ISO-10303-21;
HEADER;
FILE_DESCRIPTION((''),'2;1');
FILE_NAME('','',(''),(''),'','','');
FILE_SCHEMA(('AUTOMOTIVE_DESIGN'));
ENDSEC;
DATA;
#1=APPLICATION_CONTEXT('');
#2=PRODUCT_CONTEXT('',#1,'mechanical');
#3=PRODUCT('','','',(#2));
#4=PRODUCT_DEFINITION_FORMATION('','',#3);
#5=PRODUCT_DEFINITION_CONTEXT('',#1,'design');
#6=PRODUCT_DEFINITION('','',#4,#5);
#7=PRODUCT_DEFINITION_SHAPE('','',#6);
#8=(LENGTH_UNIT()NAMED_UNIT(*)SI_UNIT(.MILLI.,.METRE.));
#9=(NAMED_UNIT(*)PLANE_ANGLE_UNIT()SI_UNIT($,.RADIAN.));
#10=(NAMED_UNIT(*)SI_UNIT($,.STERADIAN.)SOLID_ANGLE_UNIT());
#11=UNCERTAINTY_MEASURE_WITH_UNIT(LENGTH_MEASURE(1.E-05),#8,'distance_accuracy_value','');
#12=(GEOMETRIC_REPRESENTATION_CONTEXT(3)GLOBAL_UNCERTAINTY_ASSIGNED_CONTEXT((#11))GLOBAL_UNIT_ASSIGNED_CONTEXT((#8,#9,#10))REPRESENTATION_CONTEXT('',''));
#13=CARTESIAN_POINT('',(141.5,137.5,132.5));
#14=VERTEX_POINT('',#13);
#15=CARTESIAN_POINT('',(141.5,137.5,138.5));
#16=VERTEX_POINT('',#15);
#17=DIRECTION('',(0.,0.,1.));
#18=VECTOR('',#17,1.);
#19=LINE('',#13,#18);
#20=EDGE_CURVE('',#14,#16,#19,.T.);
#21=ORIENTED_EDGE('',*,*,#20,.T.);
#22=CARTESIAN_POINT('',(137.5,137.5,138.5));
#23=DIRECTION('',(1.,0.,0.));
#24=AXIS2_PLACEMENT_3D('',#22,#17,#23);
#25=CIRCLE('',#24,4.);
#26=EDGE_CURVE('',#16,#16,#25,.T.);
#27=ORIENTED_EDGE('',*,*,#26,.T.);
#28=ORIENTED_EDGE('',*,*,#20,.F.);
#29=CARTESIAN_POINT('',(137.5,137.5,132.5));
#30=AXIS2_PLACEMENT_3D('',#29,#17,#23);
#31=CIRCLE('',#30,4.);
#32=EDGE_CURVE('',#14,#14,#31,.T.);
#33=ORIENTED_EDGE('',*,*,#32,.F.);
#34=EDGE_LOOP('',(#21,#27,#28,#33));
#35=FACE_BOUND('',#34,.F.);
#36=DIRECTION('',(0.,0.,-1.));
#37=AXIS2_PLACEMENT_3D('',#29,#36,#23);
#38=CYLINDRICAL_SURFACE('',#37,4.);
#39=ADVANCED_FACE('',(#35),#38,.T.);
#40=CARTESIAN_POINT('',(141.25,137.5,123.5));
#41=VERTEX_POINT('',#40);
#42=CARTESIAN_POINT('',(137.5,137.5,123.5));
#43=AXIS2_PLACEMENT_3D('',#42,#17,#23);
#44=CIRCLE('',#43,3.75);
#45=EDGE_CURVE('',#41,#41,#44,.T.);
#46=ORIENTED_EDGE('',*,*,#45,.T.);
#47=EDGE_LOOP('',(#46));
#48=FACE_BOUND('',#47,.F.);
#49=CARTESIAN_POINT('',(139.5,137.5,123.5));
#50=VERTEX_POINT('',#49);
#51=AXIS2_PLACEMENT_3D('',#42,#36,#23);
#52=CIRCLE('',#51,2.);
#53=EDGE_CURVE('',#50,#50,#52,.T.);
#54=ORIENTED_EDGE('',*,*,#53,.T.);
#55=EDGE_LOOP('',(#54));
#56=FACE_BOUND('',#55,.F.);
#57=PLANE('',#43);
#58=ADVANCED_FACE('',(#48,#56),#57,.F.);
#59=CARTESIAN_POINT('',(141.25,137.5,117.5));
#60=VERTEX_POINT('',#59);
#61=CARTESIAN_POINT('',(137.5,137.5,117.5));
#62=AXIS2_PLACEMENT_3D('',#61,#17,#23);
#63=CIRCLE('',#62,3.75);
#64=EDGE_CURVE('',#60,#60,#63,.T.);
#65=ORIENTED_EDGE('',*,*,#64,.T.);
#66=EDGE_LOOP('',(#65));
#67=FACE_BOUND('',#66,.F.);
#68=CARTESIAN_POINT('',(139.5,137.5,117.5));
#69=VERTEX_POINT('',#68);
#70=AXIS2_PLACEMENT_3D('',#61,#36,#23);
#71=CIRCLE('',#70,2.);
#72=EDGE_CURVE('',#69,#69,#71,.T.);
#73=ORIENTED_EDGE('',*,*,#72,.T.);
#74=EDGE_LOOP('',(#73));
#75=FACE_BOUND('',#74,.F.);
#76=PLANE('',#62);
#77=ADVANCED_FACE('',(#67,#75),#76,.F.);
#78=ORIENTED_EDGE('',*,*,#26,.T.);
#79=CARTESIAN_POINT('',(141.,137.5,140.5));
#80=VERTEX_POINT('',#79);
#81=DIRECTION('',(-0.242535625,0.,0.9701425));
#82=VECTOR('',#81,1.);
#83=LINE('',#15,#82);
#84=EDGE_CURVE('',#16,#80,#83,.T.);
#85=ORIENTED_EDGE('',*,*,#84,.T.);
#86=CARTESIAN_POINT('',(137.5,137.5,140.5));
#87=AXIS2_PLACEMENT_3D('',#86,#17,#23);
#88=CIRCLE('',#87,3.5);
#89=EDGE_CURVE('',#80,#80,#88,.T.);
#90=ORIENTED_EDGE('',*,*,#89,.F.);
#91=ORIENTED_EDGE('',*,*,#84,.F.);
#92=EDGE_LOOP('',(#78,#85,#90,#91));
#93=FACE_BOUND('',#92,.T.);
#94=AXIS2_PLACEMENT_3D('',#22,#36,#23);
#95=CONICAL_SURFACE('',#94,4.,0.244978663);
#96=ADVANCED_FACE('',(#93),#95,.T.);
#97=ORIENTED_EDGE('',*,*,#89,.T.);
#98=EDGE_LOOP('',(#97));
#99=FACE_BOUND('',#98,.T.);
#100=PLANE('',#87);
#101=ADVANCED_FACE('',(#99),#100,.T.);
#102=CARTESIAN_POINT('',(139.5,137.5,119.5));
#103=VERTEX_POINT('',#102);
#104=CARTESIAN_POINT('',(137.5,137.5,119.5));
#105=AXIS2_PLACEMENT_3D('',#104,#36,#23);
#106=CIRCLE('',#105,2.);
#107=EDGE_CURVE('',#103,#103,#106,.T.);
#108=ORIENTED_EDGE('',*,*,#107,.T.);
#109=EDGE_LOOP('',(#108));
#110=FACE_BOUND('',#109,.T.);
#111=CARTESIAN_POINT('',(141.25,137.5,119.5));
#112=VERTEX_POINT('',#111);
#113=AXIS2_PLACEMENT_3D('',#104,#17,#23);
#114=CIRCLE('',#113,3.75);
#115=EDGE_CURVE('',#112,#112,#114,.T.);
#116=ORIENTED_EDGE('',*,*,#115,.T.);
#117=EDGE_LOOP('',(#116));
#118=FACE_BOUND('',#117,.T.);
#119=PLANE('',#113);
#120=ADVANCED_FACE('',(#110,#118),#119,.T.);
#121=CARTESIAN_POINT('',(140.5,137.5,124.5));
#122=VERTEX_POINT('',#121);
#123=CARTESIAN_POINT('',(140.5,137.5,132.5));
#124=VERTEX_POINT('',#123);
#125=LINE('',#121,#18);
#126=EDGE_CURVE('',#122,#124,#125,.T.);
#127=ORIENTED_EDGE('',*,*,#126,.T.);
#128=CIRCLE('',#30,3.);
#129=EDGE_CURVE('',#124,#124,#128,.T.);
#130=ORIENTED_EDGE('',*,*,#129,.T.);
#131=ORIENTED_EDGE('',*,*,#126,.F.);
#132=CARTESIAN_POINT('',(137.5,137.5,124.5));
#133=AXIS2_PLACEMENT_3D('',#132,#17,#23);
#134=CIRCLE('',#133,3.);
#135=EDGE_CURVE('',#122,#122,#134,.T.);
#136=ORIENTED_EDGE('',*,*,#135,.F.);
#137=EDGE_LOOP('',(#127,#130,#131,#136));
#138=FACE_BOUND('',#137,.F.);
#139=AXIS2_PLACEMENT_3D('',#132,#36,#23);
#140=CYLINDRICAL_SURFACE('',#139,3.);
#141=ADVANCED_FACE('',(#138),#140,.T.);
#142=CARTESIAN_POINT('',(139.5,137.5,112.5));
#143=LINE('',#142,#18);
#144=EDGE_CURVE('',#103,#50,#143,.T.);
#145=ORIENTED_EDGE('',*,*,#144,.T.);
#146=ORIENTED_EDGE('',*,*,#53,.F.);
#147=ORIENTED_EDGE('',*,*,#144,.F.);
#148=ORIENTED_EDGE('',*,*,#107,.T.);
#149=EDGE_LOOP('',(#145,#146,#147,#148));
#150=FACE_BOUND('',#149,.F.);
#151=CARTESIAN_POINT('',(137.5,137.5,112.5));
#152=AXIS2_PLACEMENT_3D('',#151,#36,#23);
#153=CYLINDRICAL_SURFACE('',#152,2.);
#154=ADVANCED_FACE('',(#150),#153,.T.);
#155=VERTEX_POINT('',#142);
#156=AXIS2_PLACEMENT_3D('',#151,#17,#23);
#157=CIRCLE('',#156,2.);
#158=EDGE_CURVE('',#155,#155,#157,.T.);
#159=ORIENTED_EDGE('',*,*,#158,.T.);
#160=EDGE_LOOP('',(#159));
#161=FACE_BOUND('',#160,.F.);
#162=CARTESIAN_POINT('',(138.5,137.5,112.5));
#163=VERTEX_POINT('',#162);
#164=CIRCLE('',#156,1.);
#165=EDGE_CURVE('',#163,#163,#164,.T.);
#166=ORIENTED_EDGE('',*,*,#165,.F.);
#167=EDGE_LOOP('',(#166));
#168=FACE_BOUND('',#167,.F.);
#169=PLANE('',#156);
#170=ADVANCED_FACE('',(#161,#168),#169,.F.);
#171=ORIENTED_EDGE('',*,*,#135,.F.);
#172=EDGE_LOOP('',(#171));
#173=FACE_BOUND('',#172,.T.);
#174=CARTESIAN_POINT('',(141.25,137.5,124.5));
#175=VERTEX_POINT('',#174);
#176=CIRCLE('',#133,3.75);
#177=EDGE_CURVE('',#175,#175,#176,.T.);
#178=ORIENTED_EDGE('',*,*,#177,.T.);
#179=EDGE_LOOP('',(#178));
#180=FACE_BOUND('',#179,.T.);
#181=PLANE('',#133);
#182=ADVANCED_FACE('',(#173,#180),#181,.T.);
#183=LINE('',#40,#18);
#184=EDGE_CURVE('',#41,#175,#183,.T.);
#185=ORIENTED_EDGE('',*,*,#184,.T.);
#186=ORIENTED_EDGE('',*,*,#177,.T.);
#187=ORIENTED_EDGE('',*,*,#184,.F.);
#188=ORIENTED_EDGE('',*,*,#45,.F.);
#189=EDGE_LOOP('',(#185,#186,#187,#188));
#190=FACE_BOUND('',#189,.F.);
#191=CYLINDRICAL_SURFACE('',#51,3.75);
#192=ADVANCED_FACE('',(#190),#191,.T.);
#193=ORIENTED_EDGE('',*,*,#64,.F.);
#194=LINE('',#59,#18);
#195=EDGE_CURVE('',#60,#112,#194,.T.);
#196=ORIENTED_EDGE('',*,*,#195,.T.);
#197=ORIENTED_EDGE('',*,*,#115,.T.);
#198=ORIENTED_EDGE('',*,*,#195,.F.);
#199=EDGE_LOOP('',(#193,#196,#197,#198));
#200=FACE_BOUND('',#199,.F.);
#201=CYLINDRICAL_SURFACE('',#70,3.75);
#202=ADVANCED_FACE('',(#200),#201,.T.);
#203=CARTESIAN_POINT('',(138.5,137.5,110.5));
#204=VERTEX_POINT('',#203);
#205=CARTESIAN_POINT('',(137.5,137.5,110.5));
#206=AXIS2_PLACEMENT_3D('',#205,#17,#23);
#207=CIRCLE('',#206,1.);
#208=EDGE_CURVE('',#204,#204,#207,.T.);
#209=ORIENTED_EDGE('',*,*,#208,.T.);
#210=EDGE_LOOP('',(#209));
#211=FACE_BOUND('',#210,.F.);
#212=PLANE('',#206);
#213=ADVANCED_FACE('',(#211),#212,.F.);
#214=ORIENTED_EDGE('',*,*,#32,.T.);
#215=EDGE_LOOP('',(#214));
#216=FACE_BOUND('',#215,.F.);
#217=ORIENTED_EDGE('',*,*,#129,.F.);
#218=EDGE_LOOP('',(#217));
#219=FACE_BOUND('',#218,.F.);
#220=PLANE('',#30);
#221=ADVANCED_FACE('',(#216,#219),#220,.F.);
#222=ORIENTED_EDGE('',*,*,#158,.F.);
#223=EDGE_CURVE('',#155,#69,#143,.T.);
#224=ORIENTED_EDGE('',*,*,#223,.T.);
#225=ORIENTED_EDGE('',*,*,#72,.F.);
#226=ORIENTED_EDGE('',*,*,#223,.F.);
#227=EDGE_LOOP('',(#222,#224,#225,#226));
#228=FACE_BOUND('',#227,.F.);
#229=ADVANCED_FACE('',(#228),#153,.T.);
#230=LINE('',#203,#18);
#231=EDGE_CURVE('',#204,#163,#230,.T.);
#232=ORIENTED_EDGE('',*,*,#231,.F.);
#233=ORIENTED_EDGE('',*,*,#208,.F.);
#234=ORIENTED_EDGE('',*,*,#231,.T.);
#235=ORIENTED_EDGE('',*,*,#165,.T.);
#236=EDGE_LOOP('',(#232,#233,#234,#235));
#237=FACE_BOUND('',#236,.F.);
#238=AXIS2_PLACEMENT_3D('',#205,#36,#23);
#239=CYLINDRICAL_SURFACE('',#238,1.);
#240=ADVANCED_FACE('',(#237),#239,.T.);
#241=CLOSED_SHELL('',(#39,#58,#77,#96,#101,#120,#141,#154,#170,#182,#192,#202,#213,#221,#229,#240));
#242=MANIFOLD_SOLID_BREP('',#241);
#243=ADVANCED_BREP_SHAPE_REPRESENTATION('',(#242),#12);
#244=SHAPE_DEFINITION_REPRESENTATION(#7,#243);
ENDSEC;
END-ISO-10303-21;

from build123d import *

# Parameters (mm, degrees)
CYLINDER082_R     = 2
CYLINDER082_DEPTH = 28
CYLINDER083_R     = 3.75
CYLINDER083_DEPTH = 2
CYLINDER084_R     = 3.75
CYLINDER084_DEPTH = 1
CYLINDER085_R     = 3
CYLINDER085_DEPTH = 8
CYLINDER086_R     = 4
CYLINDER086_DEPTH = 6
CYLINDER087_R     = 1
CYLINDER087_DEPTH = 2


with BuildPart() as cylinder082:
    # Cylinder082 → Cylinder082 (new body)
    with BuildSketch(Plane.XY):
        Circle(CYLINDER082_R)
    extrude(amount=CYLINDER082_DEPTH)


with BuildPart() as cylinder083:
    # Cylinder083 → Cylinder083 (new body)
    with BuildSketch(Plane.XY.offset(5)):
        Circle(CYLINDER083_R)
    extrude(amount=CYLINDER083_DEPTH)


with BuildPart() as cylinder084:
    # Cylinder084 → Cylinder084 (new body)
    with BuildSketch(Plane.XY.offset(11)):
        Circle(CYLINDER084_R)
    extrude(amount=CYLINDER084_DEPTH)


with BuildPart() as cylinder085:
    # Cylinder085 → Cylinder085 (new body)
    with BuildSketch(Plane.XY.offset(12)):
        Circle(CYLINDER085_R)
    extrude(amount=CYLINDER085_DEPTH)


with BuildPart() as cylinder086:
    # Cylinder086 → Cylinder086 (new body)
    with BuildSketch(Plane.XY.offset(20)):
        Circle(CYLINDER086_R)
    extrude(amount=CYLINDER086_DEPTH)


with BuildPart() as fusion025:
    # Cone001 → Cone001 (revolve)
    with BuildSketch(Plane(origin=(0, 0, 26), x_dir=(1, 0, 0), z_dir=(0, -1, 0))):
        Polygon((0, 0), (4, 0), (3.5, 2), (0, 2), align=None)
    revolve(axis=Axis((0, 0, 26), (0, 0, 1)))

    # Fusion025: union Cylinder082, Cylinder083, Cylinder084, Cylinder085, Cylinder086
    add(cylinder082.part)
    add(cylinder083.part)
    add(cylinder084.part)
    add(cylinder085.part)
    add(cylinder086.part)


with BuildPart() as miccut:
    # Cylinder087 → Cylinder087 (new body)
    with BuildSketch(Plane.XY.offset(-2)):
        Circle(CYLINDER087_R)
    extrude(amount=CYLINDER087_DEPTH)

    # Fusion026: union Fusion025
    add(fusion025.part)


with BuildPart() as miccut_1:
    # Fusion026 placement: moved
    add(miccut.part.moved(Location((137.5, 137.5, 112.5))))


solid = miccut_1.part
